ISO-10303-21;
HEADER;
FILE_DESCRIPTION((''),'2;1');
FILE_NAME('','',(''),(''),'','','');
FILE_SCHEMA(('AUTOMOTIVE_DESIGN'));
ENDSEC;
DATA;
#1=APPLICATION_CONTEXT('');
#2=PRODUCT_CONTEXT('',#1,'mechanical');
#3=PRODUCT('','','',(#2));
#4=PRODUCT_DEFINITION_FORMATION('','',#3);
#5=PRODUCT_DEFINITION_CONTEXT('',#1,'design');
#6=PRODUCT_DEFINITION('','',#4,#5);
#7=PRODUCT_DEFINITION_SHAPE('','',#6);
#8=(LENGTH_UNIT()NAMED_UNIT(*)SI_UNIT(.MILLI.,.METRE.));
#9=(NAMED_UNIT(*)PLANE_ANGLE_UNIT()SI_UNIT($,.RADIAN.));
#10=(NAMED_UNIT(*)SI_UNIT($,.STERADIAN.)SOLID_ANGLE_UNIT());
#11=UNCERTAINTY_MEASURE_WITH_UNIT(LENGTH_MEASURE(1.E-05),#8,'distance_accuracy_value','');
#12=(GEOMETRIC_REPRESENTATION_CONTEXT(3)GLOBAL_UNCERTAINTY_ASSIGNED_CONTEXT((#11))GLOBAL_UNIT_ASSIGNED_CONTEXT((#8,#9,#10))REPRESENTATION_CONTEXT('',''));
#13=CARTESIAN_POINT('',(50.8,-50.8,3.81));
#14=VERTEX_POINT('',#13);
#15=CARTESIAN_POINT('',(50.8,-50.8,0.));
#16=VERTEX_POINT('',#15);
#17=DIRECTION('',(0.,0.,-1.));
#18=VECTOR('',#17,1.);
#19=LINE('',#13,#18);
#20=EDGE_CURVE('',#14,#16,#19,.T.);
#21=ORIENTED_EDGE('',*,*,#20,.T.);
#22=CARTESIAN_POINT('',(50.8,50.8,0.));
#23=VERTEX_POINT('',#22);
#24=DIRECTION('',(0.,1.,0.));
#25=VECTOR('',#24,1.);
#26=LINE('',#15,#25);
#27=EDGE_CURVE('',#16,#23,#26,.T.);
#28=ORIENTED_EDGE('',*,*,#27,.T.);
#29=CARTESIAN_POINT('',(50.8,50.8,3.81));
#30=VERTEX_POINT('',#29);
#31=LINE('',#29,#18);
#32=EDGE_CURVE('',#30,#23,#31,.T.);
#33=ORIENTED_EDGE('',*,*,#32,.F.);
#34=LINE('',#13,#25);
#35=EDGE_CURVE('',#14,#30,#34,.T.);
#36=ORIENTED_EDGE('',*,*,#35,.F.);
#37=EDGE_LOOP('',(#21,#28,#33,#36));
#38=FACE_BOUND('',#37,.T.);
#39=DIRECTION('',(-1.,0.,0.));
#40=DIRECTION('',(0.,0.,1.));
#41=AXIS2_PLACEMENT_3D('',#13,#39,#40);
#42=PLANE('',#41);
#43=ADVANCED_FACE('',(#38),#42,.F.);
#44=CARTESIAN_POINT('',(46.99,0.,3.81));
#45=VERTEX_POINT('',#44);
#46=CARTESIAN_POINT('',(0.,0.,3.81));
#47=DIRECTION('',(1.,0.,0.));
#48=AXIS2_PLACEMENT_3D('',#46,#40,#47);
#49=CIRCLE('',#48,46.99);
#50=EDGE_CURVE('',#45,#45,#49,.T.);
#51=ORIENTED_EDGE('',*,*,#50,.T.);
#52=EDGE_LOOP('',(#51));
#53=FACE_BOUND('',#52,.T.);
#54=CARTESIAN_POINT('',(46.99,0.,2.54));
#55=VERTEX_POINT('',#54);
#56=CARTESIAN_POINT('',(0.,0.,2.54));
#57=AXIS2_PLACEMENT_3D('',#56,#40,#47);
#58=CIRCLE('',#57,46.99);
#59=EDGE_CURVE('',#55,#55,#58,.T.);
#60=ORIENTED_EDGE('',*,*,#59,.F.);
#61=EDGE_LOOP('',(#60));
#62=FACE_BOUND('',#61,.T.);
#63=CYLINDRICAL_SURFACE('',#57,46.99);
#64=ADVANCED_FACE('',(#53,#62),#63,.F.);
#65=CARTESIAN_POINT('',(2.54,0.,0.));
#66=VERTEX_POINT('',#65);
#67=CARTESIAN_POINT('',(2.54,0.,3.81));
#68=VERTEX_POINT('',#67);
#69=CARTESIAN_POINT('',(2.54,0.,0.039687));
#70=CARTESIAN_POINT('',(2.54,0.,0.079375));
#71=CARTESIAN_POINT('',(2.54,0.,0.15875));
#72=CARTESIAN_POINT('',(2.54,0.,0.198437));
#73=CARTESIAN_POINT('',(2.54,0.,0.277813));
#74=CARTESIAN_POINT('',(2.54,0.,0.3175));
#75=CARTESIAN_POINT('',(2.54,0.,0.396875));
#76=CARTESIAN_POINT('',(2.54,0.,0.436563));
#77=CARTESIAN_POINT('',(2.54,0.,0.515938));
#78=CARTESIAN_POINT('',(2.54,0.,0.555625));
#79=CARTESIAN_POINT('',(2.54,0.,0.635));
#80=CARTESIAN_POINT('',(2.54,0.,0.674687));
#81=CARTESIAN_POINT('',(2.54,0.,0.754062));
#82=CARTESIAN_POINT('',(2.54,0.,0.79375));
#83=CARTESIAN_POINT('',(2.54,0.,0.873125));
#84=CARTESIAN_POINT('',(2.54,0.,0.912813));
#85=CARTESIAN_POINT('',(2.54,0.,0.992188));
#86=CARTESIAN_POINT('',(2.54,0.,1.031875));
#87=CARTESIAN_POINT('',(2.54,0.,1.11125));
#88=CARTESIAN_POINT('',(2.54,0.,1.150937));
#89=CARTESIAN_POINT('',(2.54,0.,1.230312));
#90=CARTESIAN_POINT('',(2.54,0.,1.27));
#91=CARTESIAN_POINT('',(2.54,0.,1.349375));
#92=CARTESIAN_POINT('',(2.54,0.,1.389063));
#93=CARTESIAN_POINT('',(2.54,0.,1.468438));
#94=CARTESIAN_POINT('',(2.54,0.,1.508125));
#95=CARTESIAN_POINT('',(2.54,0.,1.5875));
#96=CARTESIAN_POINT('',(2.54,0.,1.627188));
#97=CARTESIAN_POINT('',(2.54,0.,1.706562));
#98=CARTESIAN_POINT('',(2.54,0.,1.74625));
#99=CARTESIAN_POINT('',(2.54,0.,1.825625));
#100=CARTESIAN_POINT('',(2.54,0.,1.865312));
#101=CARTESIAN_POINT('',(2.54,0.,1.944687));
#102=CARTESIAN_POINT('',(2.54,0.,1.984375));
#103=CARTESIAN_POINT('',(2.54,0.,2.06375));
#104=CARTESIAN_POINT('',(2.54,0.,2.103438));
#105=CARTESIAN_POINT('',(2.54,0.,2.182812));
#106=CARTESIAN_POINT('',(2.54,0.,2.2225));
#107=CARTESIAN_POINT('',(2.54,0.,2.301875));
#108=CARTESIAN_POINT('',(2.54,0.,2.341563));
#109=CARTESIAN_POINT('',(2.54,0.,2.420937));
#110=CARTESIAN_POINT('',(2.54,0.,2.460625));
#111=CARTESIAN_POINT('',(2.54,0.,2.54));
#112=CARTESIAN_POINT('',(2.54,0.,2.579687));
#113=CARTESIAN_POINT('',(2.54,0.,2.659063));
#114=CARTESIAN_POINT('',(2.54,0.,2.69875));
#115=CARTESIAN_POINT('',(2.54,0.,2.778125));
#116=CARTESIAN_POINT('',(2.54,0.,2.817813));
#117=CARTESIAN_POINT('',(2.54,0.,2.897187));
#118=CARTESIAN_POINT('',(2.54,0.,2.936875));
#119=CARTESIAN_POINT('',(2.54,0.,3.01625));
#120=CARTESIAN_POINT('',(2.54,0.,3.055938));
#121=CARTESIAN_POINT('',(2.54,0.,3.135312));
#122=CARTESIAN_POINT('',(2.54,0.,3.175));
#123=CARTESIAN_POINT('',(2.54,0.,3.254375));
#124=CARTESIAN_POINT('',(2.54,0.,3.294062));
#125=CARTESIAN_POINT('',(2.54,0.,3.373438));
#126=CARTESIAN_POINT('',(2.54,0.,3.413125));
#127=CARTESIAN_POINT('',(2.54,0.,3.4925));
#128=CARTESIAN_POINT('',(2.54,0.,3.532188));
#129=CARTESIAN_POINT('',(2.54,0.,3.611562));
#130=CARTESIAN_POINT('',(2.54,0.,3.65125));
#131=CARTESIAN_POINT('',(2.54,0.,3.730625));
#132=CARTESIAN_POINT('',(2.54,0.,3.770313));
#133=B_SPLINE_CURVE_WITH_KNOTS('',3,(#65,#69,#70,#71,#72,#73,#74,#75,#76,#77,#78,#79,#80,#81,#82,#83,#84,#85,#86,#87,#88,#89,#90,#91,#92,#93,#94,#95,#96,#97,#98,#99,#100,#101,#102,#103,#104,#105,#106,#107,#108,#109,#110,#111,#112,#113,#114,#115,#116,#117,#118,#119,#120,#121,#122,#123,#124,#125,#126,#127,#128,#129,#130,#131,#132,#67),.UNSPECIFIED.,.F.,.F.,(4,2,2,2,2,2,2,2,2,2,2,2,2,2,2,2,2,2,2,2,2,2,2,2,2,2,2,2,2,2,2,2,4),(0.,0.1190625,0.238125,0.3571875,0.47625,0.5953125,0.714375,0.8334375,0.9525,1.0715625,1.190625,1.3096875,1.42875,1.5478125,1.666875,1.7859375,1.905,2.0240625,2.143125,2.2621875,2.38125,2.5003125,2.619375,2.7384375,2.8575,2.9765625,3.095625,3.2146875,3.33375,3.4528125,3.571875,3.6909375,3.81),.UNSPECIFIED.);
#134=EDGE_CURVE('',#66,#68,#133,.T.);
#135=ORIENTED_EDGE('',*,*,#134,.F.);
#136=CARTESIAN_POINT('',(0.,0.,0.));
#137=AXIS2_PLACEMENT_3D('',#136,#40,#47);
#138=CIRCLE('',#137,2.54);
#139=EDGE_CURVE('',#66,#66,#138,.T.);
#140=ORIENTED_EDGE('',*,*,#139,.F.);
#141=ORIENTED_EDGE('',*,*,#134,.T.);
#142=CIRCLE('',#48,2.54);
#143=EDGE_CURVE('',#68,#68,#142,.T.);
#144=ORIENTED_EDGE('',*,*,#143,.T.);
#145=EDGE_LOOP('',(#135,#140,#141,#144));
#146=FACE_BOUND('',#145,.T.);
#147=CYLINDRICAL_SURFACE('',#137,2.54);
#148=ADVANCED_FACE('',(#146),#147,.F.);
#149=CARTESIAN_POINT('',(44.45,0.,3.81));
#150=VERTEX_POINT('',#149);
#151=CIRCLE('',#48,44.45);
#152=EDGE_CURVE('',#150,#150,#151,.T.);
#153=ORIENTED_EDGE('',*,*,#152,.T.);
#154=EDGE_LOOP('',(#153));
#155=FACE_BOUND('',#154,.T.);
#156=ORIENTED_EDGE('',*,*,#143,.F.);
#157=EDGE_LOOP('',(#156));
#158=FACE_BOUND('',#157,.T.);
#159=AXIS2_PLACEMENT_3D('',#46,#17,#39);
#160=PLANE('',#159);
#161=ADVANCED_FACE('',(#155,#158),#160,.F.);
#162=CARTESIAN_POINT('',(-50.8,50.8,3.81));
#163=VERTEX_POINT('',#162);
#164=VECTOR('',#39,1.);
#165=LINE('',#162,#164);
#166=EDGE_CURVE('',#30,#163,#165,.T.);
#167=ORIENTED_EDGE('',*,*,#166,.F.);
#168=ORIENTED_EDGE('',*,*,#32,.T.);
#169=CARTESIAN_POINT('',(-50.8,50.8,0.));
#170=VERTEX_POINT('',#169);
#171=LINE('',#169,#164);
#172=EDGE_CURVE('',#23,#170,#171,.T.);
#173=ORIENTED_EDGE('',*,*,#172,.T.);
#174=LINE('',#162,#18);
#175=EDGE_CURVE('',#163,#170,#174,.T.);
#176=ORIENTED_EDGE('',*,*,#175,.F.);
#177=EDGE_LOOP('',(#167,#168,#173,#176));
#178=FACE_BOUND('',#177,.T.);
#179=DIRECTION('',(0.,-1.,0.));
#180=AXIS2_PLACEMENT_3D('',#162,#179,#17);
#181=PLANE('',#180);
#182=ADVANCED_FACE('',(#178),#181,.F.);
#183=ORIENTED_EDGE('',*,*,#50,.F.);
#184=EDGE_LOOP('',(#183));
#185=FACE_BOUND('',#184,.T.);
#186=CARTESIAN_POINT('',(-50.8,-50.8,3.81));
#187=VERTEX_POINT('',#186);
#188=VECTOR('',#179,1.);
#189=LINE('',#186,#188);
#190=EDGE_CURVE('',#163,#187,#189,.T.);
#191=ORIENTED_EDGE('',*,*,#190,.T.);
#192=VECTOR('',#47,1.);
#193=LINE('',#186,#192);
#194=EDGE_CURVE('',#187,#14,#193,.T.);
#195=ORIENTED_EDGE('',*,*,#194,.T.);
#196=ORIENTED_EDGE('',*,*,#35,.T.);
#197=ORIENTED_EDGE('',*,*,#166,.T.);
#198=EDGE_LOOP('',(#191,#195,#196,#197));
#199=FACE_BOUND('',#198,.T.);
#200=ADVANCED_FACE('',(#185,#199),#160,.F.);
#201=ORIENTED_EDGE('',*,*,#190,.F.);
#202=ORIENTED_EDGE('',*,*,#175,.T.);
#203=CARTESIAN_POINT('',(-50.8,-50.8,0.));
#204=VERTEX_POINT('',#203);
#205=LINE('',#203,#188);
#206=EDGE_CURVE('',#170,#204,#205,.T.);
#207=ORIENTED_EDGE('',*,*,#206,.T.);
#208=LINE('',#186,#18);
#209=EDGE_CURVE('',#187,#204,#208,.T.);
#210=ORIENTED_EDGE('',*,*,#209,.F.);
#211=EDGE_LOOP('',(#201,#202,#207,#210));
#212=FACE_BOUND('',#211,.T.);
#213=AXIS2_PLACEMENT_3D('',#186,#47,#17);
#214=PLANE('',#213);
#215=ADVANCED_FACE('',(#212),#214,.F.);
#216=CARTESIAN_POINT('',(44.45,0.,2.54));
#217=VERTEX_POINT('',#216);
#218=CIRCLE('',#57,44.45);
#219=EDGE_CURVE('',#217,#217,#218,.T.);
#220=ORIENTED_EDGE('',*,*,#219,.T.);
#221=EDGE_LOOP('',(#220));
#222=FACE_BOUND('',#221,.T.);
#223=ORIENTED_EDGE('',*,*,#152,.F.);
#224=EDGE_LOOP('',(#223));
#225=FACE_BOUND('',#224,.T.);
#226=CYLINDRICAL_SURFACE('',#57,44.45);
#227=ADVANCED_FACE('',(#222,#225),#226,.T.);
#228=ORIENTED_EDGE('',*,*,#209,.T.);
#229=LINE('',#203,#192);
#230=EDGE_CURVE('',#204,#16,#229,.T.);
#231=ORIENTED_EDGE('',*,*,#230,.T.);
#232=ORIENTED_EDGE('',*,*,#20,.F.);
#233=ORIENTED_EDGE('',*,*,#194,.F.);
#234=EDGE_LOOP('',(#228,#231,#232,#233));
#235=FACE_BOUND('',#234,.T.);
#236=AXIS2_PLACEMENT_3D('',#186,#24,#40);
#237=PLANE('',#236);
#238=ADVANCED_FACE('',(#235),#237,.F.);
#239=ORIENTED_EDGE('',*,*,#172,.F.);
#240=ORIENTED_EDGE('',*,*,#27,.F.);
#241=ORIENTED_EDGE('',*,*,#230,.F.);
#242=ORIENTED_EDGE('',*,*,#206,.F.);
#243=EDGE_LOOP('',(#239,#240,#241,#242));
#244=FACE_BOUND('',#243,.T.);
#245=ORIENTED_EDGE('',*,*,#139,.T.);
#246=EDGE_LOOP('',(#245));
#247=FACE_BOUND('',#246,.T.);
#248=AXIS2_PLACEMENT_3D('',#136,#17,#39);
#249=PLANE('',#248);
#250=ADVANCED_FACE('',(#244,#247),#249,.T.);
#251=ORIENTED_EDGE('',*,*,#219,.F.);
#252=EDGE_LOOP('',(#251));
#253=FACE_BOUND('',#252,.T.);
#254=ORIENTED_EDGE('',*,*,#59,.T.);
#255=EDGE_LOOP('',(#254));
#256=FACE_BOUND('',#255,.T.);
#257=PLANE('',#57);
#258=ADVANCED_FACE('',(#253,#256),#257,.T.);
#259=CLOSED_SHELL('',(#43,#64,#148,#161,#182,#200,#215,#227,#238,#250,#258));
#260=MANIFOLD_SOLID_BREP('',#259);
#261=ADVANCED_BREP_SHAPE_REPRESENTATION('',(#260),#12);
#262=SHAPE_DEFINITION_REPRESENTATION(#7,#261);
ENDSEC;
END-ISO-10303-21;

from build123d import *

# Parameters (mm, degrees)
SKETCH2_W           = 101.6
SKETCH2_H           = 101.6
SLEEVE_DEPTH        = 3.81
SKETCH3_R           = 2.54
HOLE_DEPTH          = 72.943005914
SKETCH4_R           = 46.99
SKETCH4_R_2         = 44.45
VINYL_OUTLINE_DEPTH = 1.27


with BuildPart() as part:
    # Sketch2 → Sleeve (new body)
    with BuildSketch(Plane.XY):
        Rectangle(SKETCH2_W, SKETCH2_H)
    extrude(amount=SLEEVE_DEPTH)

    # Sketch3 → Hole (cut, through all)
    with BuildSketch(Plane.XY.offset(3.81)):
        Circle(SKETCH3_R)
    extrude(amount=-HOLE_DEPTH, mode=Mode.SUBTRACT)

    # Sketch4 → Vinyl Outline (cut)
    with BuildSketch(Plane.XY.offset(3.81)):
        Circle(SKETCH4_R)
        Circle(SKETCH4_R_2, mode=Mode.SUBTRACT)
    extrude(amount=-VINYL_OUTLINE_DEPTH, mode=Mode.SUBTRACT)


solid = part.part
